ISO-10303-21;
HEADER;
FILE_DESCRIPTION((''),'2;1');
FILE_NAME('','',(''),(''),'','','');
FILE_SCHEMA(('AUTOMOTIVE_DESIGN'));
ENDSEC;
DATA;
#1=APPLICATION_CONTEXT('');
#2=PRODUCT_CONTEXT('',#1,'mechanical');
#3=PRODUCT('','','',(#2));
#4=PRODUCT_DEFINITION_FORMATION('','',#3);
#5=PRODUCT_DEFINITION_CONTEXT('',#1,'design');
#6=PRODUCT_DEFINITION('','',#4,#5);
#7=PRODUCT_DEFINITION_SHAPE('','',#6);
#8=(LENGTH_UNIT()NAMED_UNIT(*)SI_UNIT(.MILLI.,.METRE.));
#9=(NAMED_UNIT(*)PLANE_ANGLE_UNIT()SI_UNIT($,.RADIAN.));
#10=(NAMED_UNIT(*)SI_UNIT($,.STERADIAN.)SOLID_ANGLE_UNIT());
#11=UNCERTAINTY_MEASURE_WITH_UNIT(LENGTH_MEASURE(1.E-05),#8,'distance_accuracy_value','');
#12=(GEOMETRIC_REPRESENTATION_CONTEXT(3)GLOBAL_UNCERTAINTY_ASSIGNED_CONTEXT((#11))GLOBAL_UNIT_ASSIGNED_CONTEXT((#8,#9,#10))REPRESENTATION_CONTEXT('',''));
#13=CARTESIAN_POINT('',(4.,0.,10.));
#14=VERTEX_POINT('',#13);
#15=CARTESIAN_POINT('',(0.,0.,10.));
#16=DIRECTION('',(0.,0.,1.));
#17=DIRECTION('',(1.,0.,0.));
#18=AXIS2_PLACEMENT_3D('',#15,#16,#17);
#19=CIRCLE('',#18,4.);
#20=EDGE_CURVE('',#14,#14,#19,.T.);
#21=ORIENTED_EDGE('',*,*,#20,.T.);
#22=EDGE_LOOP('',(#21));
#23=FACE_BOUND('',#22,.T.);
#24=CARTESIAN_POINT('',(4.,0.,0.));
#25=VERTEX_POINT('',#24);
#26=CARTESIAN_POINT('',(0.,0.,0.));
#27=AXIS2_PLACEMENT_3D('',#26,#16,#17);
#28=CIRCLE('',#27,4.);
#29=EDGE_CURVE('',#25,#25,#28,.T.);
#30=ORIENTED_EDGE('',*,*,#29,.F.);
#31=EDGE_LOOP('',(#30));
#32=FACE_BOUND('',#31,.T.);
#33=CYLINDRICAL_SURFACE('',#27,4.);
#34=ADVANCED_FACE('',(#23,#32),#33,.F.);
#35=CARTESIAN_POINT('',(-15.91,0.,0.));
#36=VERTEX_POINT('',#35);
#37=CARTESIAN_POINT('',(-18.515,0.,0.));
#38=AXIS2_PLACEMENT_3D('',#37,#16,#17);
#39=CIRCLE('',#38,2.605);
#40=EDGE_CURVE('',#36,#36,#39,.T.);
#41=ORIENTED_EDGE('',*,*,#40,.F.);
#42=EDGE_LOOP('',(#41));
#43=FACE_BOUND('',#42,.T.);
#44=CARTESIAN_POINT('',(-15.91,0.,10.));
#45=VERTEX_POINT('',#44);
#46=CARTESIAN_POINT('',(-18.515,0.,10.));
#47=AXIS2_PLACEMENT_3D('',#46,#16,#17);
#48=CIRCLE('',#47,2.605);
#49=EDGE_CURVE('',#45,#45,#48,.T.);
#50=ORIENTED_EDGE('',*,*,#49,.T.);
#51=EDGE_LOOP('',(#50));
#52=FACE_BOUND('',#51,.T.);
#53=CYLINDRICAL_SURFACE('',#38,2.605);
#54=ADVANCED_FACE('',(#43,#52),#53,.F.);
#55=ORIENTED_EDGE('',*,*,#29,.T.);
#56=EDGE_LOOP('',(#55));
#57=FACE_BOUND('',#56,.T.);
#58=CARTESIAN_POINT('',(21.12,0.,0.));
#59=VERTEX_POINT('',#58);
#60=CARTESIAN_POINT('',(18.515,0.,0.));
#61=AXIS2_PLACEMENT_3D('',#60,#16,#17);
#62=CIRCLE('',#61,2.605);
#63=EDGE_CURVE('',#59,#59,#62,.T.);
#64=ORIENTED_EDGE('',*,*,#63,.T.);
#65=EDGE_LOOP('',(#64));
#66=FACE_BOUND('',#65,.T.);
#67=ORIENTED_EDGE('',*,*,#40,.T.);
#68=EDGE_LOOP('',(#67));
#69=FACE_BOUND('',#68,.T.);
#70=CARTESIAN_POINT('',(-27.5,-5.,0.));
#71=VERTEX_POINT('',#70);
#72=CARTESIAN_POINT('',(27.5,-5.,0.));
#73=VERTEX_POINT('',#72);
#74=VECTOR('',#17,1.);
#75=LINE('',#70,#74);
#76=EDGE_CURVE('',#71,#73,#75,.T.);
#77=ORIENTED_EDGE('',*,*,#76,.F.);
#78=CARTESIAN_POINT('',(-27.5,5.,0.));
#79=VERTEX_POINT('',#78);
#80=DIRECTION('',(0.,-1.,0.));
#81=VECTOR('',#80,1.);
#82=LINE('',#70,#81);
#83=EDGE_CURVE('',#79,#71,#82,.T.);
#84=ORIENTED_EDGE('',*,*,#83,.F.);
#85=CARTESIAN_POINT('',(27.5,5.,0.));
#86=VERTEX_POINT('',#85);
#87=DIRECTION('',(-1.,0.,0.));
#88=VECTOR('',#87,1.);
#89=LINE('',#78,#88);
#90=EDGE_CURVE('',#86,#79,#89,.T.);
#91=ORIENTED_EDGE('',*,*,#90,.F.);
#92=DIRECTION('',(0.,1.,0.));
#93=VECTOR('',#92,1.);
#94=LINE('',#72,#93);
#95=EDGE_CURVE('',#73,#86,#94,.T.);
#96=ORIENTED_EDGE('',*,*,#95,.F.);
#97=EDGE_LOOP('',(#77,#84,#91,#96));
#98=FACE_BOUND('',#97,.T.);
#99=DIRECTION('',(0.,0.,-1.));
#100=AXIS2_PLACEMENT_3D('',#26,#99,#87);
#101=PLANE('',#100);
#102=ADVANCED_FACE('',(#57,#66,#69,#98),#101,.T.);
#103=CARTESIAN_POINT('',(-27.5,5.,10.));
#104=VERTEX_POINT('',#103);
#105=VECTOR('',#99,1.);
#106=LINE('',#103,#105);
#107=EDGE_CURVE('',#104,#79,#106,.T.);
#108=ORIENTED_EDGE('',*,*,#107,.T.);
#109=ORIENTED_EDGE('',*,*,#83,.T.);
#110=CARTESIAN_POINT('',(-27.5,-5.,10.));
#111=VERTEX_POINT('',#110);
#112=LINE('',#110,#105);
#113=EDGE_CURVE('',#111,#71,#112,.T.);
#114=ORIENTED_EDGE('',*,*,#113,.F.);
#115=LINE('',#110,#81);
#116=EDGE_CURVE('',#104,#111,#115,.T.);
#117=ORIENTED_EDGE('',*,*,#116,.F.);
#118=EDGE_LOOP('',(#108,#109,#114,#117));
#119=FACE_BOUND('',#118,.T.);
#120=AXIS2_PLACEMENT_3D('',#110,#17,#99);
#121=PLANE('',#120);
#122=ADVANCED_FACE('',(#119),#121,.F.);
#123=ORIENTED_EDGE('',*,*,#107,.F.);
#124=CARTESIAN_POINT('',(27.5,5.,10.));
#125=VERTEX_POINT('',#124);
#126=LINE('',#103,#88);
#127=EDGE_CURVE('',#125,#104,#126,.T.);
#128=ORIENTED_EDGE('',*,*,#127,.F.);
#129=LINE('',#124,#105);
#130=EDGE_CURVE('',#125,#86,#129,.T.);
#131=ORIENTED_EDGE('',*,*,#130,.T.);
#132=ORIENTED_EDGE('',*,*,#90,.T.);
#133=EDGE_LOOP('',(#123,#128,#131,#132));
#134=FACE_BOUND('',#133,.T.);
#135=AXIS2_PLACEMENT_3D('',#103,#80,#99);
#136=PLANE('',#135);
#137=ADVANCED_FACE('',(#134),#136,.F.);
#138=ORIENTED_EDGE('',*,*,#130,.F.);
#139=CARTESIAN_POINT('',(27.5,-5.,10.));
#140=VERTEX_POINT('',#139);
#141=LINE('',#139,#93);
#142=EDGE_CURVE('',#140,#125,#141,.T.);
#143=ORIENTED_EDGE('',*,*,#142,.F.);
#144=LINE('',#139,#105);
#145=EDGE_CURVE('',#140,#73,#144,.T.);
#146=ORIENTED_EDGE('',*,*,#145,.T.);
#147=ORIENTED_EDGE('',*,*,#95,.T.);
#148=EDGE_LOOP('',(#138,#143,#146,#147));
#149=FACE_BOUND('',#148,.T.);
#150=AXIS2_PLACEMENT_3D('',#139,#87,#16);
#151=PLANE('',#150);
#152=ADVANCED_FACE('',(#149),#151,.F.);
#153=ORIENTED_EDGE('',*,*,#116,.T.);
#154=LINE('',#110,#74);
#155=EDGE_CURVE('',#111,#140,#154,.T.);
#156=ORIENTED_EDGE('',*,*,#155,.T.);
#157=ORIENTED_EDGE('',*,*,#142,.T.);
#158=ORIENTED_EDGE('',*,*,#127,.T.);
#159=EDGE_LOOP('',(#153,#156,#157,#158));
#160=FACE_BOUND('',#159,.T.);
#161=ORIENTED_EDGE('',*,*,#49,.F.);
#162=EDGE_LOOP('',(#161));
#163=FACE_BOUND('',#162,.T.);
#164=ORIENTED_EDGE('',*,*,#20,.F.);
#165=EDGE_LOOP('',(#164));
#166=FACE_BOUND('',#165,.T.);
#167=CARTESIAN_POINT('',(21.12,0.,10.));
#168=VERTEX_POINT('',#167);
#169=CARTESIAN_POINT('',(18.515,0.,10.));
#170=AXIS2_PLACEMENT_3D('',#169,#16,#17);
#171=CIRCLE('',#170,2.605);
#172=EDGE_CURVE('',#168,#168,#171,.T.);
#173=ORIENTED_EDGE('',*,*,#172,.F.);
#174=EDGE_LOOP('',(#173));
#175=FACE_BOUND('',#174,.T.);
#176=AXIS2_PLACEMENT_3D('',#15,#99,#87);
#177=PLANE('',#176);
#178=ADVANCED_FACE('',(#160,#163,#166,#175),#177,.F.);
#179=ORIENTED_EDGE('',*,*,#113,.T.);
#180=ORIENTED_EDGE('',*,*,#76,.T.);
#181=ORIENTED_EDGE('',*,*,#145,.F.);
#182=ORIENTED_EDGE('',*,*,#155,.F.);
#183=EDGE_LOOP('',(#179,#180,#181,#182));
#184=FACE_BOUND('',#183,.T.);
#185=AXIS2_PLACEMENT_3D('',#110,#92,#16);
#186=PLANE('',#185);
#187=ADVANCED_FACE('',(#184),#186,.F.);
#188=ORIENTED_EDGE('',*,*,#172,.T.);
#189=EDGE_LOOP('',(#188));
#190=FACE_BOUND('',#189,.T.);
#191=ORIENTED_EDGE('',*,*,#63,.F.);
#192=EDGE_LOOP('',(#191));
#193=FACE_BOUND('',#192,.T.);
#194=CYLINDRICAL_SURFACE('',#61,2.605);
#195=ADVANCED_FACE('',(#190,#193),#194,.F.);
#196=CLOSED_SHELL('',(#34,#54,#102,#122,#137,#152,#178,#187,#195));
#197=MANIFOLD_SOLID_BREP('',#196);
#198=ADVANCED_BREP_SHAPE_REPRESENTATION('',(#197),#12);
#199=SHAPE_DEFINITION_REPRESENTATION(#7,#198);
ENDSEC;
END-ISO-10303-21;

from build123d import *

# Parameters (mm, degrees)
SKETCH_1_W          = 55
SKETCH_1_H          = 10
EXTRUDE_1_DEPTH     = 10
SKETCH_2_R          = 2.605
CUT_EXTRUDE_1_DEPTH = 10
SKETCH_3_R          = 4
CUT_EXTRUDE_2_DEPTH = 10


with BuildPart() as part:
    # 草图1 → 凸台-拉伸1 (new body)
    with BuildSketch(Plane.XY):
        Rectangle(SKETCH_1_W, SKETCH_1_H)
    extrude(amount=EXTRUDE_1_DEPTH)

    # 草图2 → 切除-拉伸1 (cut)
    with BuildSketch(Plane.XY.offset(10)):
        with Locations((18.515, 0)):
            Circle(SKETCH_2_R)
        with Locations((-18.515, 0)):
            Circle(SKETCH_2_R)
    extrude(amount=-CUT_EXTRUDE_1_DEPTH, mode=Mode.SUBTRACT)

    # 草图3 → 切除-拉伸2 (cut)
    with BuildSketch(Plane.XY.offset(10)):
        Circle(SKETCH_3_R)
    extrude(amount=-CUT_EXTRUDE_2_DEPTH, mode=Mode.SUBTRACT)


solid = part.part
